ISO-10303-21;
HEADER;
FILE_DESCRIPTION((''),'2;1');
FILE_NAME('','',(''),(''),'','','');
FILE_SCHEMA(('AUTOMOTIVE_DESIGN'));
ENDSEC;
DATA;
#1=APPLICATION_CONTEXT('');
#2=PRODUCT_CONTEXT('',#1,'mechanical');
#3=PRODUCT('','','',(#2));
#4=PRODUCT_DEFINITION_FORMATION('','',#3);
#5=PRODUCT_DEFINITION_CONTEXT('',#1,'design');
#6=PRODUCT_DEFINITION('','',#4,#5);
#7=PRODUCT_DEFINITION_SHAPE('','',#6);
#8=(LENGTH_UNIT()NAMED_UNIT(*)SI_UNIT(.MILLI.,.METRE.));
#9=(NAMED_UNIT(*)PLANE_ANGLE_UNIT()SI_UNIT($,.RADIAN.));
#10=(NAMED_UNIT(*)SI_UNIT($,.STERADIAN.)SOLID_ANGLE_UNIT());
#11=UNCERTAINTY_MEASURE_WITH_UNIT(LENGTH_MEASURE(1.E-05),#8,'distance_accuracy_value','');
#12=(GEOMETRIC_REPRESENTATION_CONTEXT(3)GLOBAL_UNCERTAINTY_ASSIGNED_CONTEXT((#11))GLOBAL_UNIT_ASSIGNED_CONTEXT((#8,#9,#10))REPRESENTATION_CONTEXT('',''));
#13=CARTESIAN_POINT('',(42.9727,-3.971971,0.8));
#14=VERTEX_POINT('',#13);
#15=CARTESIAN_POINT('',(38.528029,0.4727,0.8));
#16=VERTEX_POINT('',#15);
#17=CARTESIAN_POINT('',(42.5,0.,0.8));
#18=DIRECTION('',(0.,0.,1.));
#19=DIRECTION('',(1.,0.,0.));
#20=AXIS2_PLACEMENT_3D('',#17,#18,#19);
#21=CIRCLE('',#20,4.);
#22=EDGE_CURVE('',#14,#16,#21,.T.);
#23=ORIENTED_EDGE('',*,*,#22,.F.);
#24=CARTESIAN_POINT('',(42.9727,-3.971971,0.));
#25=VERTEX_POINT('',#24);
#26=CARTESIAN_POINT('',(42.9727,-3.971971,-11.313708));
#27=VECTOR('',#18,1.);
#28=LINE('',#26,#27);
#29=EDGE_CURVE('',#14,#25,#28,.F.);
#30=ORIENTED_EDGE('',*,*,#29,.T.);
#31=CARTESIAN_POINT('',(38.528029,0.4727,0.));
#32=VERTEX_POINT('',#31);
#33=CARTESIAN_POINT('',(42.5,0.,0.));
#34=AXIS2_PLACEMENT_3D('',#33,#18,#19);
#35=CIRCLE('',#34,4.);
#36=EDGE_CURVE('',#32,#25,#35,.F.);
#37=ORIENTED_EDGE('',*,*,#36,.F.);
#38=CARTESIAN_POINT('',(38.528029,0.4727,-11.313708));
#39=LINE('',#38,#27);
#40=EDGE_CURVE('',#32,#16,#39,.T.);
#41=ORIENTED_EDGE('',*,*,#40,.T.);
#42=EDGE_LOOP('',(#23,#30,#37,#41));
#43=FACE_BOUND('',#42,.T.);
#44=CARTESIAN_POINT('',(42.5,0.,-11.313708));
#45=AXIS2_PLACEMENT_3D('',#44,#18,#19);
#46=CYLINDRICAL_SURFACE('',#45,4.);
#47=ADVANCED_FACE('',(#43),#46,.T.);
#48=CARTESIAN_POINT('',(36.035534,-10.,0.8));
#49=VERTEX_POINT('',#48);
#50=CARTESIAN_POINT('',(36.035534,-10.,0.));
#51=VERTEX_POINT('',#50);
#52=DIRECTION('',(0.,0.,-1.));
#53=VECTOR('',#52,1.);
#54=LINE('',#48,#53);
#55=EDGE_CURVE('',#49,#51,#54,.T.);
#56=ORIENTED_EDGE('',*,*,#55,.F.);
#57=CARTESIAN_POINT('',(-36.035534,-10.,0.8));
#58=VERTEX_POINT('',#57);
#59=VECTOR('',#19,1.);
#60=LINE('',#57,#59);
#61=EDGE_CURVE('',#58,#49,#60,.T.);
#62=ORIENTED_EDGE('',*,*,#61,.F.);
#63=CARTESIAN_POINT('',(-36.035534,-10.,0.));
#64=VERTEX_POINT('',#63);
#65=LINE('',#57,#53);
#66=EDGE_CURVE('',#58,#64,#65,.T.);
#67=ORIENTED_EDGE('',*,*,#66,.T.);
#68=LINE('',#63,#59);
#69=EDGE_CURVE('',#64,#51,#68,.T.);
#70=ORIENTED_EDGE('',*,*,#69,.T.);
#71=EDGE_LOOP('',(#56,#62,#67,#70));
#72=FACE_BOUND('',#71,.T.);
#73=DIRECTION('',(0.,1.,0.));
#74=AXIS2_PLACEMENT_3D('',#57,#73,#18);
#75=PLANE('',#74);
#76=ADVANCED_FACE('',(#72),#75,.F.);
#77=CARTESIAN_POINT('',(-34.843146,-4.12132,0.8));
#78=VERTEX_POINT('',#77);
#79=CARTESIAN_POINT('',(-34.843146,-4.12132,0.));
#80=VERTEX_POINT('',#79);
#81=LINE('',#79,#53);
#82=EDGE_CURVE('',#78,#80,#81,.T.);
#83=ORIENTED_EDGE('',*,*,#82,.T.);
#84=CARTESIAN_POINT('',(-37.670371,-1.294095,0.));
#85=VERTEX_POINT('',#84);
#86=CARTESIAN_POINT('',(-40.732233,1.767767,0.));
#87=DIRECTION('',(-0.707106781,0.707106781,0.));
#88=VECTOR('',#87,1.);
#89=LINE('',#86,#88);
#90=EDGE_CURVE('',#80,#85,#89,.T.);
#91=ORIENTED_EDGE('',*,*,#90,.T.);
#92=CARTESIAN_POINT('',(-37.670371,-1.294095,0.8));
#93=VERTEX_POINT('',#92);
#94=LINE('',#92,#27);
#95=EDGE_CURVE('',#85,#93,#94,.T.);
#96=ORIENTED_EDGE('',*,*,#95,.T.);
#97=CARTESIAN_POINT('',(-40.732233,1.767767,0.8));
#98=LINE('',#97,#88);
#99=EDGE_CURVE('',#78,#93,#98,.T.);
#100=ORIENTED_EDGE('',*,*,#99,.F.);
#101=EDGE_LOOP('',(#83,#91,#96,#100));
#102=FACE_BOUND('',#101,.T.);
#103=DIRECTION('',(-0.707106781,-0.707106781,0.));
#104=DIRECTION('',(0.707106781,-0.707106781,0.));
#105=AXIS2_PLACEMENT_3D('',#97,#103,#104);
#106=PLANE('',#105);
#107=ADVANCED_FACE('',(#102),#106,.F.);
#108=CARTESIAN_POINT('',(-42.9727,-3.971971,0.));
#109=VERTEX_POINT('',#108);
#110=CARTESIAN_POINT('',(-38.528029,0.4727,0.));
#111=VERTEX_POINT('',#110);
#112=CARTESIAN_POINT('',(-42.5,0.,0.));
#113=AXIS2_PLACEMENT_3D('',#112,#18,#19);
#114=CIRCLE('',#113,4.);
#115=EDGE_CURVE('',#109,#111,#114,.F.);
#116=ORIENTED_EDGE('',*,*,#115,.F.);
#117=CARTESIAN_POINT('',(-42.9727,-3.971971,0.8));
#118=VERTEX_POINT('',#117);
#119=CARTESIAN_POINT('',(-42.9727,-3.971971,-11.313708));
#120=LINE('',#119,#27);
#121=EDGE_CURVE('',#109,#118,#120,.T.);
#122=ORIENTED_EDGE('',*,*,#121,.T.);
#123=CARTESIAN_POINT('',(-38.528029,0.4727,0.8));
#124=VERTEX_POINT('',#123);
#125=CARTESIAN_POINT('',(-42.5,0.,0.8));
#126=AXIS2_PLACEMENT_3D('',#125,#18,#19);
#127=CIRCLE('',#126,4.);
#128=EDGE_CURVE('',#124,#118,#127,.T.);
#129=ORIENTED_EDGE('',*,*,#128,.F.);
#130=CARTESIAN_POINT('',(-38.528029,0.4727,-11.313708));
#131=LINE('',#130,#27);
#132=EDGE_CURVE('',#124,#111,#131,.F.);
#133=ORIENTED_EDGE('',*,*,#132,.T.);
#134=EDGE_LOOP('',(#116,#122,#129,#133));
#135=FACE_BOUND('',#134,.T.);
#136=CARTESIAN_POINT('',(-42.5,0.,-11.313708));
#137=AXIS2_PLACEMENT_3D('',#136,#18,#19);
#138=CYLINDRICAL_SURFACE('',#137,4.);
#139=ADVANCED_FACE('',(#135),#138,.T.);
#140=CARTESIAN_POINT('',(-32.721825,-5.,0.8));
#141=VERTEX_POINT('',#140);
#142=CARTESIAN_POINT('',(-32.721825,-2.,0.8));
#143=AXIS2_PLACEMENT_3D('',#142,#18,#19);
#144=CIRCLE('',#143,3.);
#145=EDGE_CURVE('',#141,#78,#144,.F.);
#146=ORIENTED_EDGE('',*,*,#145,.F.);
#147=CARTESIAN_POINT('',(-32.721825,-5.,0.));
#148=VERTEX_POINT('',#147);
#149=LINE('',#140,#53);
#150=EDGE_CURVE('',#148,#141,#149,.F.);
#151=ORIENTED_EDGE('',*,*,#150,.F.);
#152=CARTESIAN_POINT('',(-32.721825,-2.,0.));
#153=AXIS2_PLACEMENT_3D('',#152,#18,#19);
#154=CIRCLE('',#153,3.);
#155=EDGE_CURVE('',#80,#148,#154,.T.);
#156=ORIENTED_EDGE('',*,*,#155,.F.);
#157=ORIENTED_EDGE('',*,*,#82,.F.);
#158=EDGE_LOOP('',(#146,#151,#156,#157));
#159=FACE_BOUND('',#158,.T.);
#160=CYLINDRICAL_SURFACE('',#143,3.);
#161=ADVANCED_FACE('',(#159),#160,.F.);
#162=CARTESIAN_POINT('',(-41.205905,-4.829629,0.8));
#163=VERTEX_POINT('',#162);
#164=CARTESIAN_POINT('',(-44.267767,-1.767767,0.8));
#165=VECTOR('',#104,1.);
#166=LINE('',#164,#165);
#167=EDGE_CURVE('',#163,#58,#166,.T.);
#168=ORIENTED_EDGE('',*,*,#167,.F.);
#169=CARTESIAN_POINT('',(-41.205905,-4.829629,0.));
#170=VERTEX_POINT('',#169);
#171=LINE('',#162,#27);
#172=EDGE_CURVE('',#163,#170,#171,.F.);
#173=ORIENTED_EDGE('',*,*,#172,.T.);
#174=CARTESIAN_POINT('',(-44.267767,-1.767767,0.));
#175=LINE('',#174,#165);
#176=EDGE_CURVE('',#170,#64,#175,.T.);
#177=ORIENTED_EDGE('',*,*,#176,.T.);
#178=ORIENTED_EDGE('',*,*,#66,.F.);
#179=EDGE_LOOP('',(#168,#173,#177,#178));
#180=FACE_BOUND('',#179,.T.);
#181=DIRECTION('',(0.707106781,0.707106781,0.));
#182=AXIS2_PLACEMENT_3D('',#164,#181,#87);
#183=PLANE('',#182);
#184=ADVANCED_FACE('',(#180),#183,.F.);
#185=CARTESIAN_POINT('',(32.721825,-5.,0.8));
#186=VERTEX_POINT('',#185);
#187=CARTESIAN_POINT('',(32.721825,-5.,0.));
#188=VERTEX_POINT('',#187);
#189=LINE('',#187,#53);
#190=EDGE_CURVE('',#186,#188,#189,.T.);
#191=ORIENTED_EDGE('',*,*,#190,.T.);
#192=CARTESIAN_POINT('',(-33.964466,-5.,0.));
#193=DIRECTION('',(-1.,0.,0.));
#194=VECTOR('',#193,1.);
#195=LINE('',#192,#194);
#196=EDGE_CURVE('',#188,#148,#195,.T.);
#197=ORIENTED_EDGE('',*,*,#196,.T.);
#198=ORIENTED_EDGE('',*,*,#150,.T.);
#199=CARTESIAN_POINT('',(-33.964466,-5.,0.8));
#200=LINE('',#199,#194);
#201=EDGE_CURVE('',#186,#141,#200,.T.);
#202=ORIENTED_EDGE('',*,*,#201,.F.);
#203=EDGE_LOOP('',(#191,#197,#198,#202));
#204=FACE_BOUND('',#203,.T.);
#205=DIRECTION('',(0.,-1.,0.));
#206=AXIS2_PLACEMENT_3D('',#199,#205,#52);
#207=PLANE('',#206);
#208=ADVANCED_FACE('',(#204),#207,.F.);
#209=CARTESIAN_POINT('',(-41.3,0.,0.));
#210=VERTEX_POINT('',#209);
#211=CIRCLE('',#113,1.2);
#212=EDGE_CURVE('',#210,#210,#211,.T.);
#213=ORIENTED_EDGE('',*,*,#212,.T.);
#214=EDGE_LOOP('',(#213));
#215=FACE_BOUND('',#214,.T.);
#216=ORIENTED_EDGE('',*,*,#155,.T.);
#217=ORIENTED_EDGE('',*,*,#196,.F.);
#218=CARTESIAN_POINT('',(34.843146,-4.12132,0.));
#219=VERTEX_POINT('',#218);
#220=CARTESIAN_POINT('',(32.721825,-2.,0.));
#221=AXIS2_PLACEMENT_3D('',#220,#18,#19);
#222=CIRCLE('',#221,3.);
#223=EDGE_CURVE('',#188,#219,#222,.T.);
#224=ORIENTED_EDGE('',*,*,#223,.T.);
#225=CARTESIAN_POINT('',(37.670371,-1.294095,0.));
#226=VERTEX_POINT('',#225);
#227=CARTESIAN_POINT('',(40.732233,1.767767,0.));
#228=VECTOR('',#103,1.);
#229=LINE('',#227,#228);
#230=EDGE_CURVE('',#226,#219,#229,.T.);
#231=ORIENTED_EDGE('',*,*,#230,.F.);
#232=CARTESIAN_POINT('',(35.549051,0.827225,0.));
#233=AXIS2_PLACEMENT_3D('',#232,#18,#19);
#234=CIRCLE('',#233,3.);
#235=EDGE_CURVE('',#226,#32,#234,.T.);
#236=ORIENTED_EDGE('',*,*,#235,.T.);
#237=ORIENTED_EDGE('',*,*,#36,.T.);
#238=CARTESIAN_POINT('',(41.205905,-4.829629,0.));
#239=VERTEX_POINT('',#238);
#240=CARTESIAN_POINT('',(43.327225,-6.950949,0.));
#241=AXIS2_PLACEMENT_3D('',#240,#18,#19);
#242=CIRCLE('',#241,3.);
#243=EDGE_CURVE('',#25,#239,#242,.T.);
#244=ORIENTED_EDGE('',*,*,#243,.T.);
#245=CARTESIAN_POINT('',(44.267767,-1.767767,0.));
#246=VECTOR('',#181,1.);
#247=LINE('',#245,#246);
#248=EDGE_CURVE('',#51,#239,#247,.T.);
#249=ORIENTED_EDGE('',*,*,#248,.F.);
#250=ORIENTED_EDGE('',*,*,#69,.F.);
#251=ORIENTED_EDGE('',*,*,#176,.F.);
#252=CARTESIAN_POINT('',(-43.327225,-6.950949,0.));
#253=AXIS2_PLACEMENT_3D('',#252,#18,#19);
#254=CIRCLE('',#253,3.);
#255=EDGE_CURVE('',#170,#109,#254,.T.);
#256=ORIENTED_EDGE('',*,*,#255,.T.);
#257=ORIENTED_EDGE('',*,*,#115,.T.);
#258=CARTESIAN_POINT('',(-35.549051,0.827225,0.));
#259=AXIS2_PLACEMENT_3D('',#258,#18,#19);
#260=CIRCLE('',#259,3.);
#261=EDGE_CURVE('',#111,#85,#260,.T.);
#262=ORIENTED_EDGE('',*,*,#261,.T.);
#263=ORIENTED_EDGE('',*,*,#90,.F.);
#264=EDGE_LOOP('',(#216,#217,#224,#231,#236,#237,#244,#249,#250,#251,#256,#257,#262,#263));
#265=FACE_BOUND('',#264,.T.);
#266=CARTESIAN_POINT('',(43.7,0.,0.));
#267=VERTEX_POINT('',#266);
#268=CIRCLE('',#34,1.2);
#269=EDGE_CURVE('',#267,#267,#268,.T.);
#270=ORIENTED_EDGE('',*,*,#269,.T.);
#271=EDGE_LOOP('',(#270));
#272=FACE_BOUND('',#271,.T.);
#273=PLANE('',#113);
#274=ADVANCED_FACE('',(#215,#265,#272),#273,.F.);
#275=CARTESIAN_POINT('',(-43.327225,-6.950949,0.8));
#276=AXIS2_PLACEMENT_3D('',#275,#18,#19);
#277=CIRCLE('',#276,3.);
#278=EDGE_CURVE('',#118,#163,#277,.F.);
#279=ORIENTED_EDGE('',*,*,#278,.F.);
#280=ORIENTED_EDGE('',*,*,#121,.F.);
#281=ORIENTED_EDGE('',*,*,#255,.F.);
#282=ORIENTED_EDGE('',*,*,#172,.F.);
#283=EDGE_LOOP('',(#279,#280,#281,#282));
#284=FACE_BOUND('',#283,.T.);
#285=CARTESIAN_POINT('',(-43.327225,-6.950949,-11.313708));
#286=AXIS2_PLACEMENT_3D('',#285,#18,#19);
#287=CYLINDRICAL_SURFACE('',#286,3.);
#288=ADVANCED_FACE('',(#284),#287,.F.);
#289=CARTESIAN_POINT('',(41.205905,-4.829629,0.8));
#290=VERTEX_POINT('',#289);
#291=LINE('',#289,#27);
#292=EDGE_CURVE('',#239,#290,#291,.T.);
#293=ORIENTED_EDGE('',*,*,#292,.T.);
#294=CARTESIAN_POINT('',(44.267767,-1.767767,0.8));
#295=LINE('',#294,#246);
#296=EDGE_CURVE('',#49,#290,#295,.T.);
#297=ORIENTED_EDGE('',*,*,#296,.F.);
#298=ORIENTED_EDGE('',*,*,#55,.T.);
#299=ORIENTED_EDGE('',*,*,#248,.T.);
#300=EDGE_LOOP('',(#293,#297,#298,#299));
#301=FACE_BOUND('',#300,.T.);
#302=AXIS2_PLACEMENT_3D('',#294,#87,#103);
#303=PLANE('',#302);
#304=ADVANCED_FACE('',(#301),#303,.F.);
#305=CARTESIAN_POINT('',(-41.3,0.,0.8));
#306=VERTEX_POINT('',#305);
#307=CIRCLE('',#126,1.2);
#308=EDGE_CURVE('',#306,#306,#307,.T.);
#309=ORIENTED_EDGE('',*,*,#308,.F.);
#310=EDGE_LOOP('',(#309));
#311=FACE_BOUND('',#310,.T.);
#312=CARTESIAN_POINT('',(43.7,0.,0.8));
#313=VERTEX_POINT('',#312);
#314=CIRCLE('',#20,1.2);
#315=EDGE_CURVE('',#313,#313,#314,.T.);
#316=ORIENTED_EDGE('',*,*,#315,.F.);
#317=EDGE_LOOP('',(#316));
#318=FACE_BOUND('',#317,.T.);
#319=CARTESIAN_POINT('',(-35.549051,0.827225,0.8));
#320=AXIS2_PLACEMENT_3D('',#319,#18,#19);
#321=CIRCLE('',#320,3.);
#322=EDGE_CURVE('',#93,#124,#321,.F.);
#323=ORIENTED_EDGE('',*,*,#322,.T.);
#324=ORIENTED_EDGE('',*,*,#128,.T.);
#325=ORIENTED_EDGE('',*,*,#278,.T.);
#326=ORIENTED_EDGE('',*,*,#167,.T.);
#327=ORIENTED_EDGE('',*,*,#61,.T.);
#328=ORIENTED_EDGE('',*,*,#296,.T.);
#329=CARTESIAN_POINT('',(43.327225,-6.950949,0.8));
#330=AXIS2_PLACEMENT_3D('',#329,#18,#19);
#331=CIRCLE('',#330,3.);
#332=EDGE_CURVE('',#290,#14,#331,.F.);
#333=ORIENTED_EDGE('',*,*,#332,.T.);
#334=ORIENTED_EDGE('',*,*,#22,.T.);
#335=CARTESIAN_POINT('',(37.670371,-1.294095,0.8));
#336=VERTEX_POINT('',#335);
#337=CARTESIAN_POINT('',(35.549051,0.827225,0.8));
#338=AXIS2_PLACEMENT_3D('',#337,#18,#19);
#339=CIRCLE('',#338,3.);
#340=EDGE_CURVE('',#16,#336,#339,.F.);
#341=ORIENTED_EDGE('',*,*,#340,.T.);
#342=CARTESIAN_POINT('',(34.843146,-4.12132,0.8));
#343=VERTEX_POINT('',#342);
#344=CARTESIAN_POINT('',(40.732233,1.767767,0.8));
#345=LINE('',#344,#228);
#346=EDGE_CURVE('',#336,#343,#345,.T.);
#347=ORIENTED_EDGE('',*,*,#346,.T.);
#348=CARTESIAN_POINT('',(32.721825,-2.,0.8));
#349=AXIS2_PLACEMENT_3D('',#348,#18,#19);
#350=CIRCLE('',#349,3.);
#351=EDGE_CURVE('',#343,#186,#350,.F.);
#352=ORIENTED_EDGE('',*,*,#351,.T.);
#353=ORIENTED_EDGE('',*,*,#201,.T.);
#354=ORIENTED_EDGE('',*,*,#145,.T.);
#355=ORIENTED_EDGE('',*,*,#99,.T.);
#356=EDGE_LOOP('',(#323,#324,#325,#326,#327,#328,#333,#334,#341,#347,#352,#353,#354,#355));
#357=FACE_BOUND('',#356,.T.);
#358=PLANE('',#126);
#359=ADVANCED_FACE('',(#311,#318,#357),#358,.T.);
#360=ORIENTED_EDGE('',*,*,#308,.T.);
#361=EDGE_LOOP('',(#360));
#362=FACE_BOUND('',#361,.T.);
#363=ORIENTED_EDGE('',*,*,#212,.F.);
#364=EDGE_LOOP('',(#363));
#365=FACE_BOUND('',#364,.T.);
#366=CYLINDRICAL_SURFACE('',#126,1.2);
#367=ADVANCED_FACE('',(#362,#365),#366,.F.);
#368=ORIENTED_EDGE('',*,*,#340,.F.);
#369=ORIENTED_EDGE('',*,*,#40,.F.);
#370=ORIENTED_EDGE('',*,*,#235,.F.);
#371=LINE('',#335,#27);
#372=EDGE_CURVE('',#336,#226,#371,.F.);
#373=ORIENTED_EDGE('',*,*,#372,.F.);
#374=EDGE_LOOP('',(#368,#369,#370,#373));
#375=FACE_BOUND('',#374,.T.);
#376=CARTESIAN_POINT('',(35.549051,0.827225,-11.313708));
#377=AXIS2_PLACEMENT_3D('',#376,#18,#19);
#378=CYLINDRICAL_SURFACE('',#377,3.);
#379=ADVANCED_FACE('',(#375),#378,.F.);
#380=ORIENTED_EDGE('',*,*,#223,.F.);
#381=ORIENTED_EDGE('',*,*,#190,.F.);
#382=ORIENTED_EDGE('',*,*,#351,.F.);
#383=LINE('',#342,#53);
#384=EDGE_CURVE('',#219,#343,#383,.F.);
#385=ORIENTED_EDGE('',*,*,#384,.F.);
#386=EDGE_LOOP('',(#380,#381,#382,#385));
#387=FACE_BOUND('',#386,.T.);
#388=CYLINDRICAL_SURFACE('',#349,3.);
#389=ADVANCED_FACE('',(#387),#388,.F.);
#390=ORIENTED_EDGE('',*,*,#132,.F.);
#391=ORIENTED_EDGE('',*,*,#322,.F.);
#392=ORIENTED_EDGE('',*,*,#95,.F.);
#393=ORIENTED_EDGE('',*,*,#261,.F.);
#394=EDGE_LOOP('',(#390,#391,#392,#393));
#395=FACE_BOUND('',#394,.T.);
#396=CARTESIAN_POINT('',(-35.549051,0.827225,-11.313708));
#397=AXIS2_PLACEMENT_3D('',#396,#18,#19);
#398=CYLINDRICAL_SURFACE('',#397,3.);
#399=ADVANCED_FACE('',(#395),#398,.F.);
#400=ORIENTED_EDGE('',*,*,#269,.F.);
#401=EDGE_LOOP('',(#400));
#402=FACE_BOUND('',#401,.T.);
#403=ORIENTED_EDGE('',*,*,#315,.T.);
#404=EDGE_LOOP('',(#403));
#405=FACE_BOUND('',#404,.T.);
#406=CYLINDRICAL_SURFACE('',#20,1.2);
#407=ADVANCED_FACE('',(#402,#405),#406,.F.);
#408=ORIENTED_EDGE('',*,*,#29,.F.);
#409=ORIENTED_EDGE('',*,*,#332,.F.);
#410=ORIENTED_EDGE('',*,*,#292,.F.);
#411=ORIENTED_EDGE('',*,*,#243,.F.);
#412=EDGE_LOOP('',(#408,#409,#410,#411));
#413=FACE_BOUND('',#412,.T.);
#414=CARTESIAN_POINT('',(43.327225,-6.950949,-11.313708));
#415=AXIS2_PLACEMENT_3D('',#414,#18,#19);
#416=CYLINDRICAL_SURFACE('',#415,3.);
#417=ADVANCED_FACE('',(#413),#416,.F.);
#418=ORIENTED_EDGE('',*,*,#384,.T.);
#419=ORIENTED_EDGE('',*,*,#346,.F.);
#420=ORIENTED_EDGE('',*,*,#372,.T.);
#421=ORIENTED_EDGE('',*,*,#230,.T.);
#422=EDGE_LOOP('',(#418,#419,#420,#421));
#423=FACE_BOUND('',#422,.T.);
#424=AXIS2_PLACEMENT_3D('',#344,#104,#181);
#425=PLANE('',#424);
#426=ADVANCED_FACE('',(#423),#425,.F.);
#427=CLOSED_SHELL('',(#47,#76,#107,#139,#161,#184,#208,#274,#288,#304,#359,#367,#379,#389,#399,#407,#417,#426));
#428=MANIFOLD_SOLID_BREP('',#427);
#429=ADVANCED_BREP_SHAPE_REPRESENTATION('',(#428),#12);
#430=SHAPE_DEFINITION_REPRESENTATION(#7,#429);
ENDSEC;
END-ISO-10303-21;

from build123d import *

# Parameters (mm, degrees)
BOSS_EXTRUDE1_DEPTH      = 0.8
SKETCH7_R                = 4
BOSS_EXTRUDE2_DEPTH      = 0.8
FILLET1_R                = 3
M2_CLEARANCE_HOLE1_D     = 2.4
M2_CLEARANCE_HOLE1_DEPTH = 30.5


with BuildPart() as part:
    # Sketch3 → Boss-Extrude1 (new body)
    with BuildSketch(Plane.XY):
        with BuildLine():
            Line((-40.732233047, 1.767766953), (-33.964466094, -5))
            Line((-33.964466094, -5), (33.964466094, -5))
            Line((33.964466094, -5), (40.732233047, 1.767766953))
            ThreePointArc((40.732233047, 1.767766953), (44.267766953, 1.767766953), (44.267766953, -1.767766953))
            Line((44.267766953, -1.767766953), (36.035533906, -10))
            Line((36.035533906, -10), (-36.035533906, -10))
            Line((-36.035533906, -10), (-44.267766953, -1.767766953))
            ThreePointArc((-44.267766953, -1.767766953), (-44.267766953, 1.767766953), (-40.732233047, 1.767766953))
        make_face()
    extrude(amount=BOSS_EXTRUDE1_DEPTH)

    # Sketch7 → Boss-Extrude2 (add)
    with BuildSketch(Plane.XY.offset(0.8)):
        with Locations((-42.5, 0)):
            Circle(SKETCH7_R)
        with Locations((42.5, 0)):
            Circle(SKETCH7_R)
    extrude(amount=-BOSS_EXTRUDE2_DEPTH)

    # Fillet1
    fillet1_edges = [part.edges().sort_by_distance(p)[0] for p in [
        (-33.964466094, -5, 0.4),
        (33.964466094, -5, 0.4),
        (-42.059826736, -3.97570717, 0.4),
        (-38.52429283, -0.440173264, 0.4),
        (42.059826736, -3.97570717, 0.4),
        (38.52429283, -0.440173264, 0.4),
    ]]
    fillet(fillet1_edges, radius=FILLET1_R)

    # M2 Clearance Hole1
    with Locations(Plane.XY.offset(0.8)):
        with Locations((-42.5, 0), (42.5, 0)):
            Hole(M2_CLEARANCE_HOLE1_D / 2, depth=M2_CLEARANCE_HOLE1_DEPTH)


solid = part.part
